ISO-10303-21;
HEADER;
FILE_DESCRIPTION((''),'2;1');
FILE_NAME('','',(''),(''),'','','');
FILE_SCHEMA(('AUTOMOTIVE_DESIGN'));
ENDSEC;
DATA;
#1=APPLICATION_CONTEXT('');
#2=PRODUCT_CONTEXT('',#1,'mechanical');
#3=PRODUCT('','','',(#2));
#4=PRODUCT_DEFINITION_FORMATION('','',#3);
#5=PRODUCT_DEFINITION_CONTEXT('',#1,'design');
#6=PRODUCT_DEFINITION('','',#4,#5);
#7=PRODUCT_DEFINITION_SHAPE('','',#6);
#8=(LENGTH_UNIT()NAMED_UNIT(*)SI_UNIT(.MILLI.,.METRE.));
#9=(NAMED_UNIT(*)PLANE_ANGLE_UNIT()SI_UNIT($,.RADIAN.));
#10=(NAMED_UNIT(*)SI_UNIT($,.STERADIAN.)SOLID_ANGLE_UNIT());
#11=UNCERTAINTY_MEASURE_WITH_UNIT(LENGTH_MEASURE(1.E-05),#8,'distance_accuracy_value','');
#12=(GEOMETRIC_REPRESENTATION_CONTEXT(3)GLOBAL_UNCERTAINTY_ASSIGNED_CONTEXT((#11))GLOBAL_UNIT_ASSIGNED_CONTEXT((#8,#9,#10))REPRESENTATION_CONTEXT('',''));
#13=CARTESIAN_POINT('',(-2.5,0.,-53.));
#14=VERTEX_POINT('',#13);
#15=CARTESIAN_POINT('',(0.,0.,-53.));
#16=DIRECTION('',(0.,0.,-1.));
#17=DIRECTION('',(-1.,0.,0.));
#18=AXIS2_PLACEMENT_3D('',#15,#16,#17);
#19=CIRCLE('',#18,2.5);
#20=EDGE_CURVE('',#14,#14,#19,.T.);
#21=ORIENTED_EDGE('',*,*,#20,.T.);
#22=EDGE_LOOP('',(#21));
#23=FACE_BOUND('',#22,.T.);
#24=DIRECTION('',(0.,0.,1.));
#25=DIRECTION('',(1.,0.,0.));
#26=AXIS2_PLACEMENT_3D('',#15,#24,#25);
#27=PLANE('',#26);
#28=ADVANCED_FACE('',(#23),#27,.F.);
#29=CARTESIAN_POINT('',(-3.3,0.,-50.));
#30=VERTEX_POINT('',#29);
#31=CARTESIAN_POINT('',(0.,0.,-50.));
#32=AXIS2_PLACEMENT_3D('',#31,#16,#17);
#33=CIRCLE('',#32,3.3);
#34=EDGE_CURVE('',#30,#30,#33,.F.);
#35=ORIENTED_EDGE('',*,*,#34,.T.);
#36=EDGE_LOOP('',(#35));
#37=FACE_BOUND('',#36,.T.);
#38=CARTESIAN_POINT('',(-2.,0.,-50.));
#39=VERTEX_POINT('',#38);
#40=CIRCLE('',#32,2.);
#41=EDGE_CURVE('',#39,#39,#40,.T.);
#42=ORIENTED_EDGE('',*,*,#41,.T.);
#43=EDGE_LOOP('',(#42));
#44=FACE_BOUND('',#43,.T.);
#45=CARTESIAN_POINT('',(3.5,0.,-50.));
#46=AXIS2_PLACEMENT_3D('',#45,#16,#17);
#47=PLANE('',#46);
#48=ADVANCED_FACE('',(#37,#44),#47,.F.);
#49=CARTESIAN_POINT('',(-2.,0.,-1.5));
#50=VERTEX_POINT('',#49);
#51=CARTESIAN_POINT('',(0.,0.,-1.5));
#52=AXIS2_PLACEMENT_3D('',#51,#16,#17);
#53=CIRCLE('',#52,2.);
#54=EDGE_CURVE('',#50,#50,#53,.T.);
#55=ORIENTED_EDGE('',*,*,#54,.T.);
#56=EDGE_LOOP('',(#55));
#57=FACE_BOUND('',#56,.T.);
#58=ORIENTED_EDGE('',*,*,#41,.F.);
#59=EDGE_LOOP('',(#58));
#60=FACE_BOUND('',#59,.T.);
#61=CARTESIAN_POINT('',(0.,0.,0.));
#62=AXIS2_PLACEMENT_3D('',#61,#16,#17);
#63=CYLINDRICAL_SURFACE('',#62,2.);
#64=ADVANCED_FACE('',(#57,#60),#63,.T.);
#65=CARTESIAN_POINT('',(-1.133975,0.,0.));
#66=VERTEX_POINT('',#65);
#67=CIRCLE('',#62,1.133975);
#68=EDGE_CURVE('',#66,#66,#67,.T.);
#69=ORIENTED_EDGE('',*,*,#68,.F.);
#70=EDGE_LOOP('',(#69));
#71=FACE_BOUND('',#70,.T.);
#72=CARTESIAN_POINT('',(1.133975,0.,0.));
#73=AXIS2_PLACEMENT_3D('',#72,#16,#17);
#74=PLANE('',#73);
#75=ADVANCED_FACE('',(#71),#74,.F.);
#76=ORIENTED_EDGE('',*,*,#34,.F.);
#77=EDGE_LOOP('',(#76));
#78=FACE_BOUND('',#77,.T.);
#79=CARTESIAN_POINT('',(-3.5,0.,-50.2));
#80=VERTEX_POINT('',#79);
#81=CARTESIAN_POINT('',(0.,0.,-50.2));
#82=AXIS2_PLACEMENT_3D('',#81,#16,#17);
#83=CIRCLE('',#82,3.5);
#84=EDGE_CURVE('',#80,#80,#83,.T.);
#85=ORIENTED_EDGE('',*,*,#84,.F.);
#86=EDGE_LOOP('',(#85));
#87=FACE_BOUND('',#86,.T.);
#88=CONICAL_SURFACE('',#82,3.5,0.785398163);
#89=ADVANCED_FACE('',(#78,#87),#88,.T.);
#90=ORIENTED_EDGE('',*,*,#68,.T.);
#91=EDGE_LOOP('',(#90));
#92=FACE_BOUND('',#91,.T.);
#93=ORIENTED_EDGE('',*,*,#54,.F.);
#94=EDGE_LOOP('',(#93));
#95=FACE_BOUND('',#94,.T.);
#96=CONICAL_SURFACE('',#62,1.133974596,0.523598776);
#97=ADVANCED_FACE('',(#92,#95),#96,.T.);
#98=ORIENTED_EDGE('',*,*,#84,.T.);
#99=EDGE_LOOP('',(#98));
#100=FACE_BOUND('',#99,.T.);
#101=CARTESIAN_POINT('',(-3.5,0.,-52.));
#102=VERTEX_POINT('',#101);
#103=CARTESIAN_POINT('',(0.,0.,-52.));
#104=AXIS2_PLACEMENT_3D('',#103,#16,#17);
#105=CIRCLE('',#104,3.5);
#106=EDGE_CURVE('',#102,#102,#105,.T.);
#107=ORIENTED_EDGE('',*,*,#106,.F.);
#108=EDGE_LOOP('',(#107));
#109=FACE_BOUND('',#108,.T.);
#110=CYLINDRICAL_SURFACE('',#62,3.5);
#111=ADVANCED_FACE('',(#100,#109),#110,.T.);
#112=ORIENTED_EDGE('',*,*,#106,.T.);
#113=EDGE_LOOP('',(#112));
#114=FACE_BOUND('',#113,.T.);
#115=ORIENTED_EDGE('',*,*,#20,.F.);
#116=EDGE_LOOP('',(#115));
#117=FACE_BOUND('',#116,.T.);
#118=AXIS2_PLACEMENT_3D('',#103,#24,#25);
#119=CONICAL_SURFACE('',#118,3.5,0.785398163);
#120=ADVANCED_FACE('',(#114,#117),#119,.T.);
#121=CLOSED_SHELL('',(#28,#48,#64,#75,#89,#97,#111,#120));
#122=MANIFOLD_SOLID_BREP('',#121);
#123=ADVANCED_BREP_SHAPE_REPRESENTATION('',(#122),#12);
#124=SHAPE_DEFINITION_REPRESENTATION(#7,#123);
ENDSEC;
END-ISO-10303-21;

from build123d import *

# Parameters (mm, degrees)
CHAMFER1_SIZE = 0.2


with BuildPart() as part:
    # Sketch1 → Revolve1 (revolve)
    with BuildSketch(Plane(origin=(0, 0, 0), x_dir=(1, 0, 0), z_dir=(0, 1, 0))):
        Polygon((0, 0), (0, 53), (2.5, 53), (3.5, 52), (3.5, 50), (2, 50), (2, 1.5), (1.133974596, 0), align=None)
    revolve(axis=Axis((0, 0, 0), (0, 0, 1)))

    # Chamfer1
    chamfer1_edges = [part.edges().sort_by_distance(p)[0] for p in [
        (-3.5, 0, -50),
    ]]
    chamfer(chamfer1_edges, length=CHAMFER1_SIZE)


solid = part.part
